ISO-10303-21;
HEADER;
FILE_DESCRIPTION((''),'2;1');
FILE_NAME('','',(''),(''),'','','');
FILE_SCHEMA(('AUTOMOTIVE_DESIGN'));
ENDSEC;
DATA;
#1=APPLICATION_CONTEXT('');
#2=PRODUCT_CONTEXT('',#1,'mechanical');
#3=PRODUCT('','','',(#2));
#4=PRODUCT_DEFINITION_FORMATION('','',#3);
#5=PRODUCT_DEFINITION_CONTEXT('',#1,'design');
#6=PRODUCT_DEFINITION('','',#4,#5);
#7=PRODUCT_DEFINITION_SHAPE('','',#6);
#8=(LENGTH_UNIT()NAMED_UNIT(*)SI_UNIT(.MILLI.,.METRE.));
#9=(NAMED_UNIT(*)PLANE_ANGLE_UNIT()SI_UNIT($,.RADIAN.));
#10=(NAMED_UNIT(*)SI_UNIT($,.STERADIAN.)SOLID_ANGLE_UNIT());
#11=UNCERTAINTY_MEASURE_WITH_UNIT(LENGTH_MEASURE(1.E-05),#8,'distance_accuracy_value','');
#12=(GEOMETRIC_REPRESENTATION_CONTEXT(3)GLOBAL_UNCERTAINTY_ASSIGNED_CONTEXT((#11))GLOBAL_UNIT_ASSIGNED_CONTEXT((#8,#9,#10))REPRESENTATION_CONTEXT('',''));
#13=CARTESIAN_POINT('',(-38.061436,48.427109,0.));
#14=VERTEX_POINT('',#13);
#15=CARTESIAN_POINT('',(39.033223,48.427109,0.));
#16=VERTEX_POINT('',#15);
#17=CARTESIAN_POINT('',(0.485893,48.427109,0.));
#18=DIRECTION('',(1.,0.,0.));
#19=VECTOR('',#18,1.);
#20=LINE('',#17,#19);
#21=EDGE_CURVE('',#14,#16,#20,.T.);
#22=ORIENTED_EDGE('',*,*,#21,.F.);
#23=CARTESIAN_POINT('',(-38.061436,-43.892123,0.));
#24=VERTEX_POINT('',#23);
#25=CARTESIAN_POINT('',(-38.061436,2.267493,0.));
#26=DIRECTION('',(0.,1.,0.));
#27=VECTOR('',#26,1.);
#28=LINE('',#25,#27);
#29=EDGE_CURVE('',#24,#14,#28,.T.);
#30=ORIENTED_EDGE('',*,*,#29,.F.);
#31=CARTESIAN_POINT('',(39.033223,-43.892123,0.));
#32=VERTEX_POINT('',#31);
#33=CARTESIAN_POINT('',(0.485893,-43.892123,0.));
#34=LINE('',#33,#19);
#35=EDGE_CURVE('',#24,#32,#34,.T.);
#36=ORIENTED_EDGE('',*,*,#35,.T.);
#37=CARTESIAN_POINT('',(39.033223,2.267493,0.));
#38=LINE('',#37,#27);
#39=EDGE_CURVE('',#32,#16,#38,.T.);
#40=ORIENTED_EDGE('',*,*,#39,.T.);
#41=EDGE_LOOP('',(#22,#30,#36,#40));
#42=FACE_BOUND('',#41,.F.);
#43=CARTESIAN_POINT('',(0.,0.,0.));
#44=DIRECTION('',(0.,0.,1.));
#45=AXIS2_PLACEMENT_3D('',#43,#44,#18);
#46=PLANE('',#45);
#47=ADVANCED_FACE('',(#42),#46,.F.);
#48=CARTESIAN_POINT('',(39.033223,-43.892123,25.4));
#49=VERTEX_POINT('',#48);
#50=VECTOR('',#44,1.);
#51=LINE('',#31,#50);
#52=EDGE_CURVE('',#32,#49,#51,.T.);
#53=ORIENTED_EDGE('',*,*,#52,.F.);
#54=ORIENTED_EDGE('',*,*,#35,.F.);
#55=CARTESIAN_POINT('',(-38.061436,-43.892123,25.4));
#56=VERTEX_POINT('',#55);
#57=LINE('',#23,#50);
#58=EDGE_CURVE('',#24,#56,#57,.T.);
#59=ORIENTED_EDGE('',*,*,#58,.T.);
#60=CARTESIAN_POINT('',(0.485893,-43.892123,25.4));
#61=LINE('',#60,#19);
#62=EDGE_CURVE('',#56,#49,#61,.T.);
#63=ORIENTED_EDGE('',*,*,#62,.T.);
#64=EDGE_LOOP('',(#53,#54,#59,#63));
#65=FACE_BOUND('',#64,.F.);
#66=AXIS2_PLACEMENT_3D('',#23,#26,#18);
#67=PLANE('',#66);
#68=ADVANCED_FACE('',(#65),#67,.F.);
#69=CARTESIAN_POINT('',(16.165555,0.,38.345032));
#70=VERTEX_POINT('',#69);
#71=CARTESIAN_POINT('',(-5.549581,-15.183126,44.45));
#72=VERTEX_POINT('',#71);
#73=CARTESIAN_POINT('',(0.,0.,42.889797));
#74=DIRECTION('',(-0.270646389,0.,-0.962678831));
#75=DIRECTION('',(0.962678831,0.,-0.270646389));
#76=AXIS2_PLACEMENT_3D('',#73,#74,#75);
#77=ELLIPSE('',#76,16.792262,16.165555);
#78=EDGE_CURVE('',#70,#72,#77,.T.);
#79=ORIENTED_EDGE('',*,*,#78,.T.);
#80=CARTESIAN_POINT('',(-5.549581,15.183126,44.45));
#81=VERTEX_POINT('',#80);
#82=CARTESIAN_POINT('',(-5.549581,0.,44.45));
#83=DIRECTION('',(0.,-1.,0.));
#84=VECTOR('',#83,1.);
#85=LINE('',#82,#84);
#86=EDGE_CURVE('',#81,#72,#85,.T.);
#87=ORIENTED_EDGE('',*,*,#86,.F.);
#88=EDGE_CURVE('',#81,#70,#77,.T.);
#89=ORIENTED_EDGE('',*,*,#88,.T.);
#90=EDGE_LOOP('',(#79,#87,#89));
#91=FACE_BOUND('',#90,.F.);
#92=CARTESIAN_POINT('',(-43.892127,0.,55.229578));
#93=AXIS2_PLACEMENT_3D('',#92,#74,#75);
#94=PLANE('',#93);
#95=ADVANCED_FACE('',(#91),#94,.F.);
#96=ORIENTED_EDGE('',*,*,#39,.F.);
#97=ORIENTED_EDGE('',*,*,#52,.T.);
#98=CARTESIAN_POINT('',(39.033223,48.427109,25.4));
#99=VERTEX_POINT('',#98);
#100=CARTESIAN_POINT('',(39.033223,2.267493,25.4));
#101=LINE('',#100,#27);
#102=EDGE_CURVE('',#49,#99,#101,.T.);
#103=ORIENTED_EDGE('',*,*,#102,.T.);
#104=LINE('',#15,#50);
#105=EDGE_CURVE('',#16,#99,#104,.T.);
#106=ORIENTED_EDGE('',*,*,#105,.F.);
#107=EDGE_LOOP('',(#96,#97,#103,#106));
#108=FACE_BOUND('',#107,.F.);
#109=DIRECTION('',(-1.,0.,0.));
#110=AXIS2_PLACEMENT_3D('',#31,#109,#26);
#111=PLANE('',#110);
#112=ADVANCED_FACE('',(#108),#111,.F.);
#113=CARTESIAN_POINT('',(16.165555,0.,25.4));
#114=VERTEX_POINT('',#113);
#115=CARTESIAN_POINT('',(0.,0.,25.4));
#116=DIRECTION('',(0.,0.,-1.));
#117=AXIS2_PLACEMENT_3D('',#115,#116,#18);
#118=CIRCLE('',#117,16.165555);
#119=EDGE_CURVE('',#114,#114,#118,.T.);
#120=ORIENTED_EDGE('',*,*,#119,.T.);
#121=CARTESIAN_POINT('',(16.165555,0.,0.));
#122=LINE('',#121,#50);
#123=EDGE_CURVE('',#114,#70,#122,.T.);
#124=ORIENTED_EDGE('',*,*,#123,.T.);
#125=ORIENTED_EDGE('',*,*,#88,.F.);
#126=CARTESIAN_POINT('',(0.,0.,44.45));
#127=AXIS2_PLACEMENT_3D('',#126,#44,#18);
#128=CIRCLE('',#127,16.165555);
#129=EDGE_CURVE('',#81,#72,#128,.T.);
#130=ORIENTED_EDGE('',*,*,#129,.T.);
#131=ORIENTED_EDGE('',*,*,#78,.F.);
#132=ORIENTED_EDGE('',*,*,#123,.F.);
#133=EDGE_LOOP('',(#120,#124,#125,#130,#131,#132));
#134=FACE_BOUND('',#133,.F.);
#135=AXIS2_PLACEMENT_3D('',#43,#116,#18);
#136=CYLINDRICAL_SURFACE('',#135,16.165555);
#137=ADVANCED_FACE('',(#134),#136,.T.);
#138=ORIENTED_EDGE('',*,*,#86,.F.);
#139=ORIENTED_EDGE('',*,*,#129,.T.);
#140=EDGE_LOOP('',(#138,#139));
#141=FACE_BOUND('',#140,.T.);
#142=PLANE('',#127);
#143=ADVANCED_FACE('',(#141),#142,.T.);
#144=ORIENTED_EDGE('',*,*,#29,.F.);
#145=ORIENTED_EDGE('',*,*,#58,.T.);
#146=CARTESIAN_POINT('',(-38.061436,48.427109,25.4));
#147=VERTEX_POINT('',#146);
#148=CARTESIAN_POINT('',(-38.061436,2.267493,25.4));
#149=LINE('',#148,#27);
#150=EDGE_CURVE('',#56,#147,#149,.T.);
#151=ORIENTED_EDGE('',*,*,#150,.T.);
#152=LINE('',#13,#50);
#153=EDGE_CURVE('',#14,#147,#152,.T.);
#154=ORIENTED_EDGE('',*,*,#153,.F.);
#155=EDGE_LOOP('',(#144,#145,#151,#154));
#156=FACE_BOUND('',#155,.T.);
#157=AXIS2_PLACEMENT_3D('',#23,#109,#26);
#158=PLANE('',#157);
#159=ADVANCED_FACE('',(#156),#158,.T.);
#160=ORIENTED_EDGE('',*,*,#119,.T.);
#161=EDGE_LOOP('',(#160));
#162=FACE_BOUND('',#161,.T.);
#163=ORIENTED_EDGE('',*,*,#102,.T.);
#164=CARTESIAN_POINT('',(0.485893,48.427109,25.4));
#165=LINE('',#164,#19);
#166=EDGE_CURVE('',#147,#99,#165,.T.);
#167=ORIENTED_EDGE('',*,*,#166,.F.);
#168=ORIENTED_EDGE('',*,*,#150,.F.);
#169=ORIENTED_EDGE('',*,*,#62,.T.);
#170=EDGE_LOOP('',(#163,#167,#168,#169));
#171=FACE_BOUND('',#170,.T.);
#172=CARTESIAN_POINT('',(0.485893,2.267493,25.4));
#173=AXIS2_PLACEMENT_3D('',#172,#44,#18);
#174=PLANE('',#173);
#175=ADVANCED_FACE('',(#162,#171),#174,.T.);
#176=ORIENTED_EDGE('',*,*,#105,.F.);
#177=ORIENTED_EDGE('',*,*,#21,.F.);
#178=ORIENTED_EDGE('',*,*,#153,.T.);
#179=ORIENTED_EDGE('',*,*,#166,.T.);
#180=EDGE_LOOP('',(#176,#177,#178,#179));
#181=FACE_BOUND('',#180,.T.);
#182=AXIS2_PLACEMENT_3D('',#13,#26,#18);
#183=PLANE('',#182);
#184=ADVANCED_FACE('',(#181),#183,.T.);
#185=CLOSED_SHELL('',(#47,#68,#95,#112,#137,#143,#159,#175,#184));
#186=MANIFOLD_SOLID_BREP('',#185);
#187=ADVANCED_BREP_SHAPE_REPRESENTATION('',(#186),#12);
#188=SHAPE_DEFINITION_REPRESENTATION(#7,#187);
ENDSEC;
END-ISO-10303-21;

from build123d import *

# Parameters (mm, degrees)
F0_W     = 77.094659
F0_H     = 92.319232
F1_DEPTH = 25.4
F2_R     = 16.165555
F3_DEPTH = 44.45
F5_DEPTH = 114.3


with BuildPart() as f1:
    # F0 (on Top) → F1 (new body)
    with BuildSketch(Plane.XY):
        with Locations((0.485893, 2.267493)):
            Rectangle(F0_W, F0_H)
    extrude(amount=F1_DEPTH)

    # F2 (on Top) → F3 (join)
    with BuildSketch(Plane.XY):
        Circle(F2_R)
    extrude(amount=F3_DEPTH)

    # F4 (on Front) → F5 (cut, symmetric)
    with BuildSketch(Plane.XZ):
        Polygon((39.681073, 63.003831), (-43.892127, 55.229578), (47.131397, 29.639332), align=None)
    extrude(amount=F5_DEPTH, both=True, mode=Mode.SUBTRACT)


solid = f1.part
